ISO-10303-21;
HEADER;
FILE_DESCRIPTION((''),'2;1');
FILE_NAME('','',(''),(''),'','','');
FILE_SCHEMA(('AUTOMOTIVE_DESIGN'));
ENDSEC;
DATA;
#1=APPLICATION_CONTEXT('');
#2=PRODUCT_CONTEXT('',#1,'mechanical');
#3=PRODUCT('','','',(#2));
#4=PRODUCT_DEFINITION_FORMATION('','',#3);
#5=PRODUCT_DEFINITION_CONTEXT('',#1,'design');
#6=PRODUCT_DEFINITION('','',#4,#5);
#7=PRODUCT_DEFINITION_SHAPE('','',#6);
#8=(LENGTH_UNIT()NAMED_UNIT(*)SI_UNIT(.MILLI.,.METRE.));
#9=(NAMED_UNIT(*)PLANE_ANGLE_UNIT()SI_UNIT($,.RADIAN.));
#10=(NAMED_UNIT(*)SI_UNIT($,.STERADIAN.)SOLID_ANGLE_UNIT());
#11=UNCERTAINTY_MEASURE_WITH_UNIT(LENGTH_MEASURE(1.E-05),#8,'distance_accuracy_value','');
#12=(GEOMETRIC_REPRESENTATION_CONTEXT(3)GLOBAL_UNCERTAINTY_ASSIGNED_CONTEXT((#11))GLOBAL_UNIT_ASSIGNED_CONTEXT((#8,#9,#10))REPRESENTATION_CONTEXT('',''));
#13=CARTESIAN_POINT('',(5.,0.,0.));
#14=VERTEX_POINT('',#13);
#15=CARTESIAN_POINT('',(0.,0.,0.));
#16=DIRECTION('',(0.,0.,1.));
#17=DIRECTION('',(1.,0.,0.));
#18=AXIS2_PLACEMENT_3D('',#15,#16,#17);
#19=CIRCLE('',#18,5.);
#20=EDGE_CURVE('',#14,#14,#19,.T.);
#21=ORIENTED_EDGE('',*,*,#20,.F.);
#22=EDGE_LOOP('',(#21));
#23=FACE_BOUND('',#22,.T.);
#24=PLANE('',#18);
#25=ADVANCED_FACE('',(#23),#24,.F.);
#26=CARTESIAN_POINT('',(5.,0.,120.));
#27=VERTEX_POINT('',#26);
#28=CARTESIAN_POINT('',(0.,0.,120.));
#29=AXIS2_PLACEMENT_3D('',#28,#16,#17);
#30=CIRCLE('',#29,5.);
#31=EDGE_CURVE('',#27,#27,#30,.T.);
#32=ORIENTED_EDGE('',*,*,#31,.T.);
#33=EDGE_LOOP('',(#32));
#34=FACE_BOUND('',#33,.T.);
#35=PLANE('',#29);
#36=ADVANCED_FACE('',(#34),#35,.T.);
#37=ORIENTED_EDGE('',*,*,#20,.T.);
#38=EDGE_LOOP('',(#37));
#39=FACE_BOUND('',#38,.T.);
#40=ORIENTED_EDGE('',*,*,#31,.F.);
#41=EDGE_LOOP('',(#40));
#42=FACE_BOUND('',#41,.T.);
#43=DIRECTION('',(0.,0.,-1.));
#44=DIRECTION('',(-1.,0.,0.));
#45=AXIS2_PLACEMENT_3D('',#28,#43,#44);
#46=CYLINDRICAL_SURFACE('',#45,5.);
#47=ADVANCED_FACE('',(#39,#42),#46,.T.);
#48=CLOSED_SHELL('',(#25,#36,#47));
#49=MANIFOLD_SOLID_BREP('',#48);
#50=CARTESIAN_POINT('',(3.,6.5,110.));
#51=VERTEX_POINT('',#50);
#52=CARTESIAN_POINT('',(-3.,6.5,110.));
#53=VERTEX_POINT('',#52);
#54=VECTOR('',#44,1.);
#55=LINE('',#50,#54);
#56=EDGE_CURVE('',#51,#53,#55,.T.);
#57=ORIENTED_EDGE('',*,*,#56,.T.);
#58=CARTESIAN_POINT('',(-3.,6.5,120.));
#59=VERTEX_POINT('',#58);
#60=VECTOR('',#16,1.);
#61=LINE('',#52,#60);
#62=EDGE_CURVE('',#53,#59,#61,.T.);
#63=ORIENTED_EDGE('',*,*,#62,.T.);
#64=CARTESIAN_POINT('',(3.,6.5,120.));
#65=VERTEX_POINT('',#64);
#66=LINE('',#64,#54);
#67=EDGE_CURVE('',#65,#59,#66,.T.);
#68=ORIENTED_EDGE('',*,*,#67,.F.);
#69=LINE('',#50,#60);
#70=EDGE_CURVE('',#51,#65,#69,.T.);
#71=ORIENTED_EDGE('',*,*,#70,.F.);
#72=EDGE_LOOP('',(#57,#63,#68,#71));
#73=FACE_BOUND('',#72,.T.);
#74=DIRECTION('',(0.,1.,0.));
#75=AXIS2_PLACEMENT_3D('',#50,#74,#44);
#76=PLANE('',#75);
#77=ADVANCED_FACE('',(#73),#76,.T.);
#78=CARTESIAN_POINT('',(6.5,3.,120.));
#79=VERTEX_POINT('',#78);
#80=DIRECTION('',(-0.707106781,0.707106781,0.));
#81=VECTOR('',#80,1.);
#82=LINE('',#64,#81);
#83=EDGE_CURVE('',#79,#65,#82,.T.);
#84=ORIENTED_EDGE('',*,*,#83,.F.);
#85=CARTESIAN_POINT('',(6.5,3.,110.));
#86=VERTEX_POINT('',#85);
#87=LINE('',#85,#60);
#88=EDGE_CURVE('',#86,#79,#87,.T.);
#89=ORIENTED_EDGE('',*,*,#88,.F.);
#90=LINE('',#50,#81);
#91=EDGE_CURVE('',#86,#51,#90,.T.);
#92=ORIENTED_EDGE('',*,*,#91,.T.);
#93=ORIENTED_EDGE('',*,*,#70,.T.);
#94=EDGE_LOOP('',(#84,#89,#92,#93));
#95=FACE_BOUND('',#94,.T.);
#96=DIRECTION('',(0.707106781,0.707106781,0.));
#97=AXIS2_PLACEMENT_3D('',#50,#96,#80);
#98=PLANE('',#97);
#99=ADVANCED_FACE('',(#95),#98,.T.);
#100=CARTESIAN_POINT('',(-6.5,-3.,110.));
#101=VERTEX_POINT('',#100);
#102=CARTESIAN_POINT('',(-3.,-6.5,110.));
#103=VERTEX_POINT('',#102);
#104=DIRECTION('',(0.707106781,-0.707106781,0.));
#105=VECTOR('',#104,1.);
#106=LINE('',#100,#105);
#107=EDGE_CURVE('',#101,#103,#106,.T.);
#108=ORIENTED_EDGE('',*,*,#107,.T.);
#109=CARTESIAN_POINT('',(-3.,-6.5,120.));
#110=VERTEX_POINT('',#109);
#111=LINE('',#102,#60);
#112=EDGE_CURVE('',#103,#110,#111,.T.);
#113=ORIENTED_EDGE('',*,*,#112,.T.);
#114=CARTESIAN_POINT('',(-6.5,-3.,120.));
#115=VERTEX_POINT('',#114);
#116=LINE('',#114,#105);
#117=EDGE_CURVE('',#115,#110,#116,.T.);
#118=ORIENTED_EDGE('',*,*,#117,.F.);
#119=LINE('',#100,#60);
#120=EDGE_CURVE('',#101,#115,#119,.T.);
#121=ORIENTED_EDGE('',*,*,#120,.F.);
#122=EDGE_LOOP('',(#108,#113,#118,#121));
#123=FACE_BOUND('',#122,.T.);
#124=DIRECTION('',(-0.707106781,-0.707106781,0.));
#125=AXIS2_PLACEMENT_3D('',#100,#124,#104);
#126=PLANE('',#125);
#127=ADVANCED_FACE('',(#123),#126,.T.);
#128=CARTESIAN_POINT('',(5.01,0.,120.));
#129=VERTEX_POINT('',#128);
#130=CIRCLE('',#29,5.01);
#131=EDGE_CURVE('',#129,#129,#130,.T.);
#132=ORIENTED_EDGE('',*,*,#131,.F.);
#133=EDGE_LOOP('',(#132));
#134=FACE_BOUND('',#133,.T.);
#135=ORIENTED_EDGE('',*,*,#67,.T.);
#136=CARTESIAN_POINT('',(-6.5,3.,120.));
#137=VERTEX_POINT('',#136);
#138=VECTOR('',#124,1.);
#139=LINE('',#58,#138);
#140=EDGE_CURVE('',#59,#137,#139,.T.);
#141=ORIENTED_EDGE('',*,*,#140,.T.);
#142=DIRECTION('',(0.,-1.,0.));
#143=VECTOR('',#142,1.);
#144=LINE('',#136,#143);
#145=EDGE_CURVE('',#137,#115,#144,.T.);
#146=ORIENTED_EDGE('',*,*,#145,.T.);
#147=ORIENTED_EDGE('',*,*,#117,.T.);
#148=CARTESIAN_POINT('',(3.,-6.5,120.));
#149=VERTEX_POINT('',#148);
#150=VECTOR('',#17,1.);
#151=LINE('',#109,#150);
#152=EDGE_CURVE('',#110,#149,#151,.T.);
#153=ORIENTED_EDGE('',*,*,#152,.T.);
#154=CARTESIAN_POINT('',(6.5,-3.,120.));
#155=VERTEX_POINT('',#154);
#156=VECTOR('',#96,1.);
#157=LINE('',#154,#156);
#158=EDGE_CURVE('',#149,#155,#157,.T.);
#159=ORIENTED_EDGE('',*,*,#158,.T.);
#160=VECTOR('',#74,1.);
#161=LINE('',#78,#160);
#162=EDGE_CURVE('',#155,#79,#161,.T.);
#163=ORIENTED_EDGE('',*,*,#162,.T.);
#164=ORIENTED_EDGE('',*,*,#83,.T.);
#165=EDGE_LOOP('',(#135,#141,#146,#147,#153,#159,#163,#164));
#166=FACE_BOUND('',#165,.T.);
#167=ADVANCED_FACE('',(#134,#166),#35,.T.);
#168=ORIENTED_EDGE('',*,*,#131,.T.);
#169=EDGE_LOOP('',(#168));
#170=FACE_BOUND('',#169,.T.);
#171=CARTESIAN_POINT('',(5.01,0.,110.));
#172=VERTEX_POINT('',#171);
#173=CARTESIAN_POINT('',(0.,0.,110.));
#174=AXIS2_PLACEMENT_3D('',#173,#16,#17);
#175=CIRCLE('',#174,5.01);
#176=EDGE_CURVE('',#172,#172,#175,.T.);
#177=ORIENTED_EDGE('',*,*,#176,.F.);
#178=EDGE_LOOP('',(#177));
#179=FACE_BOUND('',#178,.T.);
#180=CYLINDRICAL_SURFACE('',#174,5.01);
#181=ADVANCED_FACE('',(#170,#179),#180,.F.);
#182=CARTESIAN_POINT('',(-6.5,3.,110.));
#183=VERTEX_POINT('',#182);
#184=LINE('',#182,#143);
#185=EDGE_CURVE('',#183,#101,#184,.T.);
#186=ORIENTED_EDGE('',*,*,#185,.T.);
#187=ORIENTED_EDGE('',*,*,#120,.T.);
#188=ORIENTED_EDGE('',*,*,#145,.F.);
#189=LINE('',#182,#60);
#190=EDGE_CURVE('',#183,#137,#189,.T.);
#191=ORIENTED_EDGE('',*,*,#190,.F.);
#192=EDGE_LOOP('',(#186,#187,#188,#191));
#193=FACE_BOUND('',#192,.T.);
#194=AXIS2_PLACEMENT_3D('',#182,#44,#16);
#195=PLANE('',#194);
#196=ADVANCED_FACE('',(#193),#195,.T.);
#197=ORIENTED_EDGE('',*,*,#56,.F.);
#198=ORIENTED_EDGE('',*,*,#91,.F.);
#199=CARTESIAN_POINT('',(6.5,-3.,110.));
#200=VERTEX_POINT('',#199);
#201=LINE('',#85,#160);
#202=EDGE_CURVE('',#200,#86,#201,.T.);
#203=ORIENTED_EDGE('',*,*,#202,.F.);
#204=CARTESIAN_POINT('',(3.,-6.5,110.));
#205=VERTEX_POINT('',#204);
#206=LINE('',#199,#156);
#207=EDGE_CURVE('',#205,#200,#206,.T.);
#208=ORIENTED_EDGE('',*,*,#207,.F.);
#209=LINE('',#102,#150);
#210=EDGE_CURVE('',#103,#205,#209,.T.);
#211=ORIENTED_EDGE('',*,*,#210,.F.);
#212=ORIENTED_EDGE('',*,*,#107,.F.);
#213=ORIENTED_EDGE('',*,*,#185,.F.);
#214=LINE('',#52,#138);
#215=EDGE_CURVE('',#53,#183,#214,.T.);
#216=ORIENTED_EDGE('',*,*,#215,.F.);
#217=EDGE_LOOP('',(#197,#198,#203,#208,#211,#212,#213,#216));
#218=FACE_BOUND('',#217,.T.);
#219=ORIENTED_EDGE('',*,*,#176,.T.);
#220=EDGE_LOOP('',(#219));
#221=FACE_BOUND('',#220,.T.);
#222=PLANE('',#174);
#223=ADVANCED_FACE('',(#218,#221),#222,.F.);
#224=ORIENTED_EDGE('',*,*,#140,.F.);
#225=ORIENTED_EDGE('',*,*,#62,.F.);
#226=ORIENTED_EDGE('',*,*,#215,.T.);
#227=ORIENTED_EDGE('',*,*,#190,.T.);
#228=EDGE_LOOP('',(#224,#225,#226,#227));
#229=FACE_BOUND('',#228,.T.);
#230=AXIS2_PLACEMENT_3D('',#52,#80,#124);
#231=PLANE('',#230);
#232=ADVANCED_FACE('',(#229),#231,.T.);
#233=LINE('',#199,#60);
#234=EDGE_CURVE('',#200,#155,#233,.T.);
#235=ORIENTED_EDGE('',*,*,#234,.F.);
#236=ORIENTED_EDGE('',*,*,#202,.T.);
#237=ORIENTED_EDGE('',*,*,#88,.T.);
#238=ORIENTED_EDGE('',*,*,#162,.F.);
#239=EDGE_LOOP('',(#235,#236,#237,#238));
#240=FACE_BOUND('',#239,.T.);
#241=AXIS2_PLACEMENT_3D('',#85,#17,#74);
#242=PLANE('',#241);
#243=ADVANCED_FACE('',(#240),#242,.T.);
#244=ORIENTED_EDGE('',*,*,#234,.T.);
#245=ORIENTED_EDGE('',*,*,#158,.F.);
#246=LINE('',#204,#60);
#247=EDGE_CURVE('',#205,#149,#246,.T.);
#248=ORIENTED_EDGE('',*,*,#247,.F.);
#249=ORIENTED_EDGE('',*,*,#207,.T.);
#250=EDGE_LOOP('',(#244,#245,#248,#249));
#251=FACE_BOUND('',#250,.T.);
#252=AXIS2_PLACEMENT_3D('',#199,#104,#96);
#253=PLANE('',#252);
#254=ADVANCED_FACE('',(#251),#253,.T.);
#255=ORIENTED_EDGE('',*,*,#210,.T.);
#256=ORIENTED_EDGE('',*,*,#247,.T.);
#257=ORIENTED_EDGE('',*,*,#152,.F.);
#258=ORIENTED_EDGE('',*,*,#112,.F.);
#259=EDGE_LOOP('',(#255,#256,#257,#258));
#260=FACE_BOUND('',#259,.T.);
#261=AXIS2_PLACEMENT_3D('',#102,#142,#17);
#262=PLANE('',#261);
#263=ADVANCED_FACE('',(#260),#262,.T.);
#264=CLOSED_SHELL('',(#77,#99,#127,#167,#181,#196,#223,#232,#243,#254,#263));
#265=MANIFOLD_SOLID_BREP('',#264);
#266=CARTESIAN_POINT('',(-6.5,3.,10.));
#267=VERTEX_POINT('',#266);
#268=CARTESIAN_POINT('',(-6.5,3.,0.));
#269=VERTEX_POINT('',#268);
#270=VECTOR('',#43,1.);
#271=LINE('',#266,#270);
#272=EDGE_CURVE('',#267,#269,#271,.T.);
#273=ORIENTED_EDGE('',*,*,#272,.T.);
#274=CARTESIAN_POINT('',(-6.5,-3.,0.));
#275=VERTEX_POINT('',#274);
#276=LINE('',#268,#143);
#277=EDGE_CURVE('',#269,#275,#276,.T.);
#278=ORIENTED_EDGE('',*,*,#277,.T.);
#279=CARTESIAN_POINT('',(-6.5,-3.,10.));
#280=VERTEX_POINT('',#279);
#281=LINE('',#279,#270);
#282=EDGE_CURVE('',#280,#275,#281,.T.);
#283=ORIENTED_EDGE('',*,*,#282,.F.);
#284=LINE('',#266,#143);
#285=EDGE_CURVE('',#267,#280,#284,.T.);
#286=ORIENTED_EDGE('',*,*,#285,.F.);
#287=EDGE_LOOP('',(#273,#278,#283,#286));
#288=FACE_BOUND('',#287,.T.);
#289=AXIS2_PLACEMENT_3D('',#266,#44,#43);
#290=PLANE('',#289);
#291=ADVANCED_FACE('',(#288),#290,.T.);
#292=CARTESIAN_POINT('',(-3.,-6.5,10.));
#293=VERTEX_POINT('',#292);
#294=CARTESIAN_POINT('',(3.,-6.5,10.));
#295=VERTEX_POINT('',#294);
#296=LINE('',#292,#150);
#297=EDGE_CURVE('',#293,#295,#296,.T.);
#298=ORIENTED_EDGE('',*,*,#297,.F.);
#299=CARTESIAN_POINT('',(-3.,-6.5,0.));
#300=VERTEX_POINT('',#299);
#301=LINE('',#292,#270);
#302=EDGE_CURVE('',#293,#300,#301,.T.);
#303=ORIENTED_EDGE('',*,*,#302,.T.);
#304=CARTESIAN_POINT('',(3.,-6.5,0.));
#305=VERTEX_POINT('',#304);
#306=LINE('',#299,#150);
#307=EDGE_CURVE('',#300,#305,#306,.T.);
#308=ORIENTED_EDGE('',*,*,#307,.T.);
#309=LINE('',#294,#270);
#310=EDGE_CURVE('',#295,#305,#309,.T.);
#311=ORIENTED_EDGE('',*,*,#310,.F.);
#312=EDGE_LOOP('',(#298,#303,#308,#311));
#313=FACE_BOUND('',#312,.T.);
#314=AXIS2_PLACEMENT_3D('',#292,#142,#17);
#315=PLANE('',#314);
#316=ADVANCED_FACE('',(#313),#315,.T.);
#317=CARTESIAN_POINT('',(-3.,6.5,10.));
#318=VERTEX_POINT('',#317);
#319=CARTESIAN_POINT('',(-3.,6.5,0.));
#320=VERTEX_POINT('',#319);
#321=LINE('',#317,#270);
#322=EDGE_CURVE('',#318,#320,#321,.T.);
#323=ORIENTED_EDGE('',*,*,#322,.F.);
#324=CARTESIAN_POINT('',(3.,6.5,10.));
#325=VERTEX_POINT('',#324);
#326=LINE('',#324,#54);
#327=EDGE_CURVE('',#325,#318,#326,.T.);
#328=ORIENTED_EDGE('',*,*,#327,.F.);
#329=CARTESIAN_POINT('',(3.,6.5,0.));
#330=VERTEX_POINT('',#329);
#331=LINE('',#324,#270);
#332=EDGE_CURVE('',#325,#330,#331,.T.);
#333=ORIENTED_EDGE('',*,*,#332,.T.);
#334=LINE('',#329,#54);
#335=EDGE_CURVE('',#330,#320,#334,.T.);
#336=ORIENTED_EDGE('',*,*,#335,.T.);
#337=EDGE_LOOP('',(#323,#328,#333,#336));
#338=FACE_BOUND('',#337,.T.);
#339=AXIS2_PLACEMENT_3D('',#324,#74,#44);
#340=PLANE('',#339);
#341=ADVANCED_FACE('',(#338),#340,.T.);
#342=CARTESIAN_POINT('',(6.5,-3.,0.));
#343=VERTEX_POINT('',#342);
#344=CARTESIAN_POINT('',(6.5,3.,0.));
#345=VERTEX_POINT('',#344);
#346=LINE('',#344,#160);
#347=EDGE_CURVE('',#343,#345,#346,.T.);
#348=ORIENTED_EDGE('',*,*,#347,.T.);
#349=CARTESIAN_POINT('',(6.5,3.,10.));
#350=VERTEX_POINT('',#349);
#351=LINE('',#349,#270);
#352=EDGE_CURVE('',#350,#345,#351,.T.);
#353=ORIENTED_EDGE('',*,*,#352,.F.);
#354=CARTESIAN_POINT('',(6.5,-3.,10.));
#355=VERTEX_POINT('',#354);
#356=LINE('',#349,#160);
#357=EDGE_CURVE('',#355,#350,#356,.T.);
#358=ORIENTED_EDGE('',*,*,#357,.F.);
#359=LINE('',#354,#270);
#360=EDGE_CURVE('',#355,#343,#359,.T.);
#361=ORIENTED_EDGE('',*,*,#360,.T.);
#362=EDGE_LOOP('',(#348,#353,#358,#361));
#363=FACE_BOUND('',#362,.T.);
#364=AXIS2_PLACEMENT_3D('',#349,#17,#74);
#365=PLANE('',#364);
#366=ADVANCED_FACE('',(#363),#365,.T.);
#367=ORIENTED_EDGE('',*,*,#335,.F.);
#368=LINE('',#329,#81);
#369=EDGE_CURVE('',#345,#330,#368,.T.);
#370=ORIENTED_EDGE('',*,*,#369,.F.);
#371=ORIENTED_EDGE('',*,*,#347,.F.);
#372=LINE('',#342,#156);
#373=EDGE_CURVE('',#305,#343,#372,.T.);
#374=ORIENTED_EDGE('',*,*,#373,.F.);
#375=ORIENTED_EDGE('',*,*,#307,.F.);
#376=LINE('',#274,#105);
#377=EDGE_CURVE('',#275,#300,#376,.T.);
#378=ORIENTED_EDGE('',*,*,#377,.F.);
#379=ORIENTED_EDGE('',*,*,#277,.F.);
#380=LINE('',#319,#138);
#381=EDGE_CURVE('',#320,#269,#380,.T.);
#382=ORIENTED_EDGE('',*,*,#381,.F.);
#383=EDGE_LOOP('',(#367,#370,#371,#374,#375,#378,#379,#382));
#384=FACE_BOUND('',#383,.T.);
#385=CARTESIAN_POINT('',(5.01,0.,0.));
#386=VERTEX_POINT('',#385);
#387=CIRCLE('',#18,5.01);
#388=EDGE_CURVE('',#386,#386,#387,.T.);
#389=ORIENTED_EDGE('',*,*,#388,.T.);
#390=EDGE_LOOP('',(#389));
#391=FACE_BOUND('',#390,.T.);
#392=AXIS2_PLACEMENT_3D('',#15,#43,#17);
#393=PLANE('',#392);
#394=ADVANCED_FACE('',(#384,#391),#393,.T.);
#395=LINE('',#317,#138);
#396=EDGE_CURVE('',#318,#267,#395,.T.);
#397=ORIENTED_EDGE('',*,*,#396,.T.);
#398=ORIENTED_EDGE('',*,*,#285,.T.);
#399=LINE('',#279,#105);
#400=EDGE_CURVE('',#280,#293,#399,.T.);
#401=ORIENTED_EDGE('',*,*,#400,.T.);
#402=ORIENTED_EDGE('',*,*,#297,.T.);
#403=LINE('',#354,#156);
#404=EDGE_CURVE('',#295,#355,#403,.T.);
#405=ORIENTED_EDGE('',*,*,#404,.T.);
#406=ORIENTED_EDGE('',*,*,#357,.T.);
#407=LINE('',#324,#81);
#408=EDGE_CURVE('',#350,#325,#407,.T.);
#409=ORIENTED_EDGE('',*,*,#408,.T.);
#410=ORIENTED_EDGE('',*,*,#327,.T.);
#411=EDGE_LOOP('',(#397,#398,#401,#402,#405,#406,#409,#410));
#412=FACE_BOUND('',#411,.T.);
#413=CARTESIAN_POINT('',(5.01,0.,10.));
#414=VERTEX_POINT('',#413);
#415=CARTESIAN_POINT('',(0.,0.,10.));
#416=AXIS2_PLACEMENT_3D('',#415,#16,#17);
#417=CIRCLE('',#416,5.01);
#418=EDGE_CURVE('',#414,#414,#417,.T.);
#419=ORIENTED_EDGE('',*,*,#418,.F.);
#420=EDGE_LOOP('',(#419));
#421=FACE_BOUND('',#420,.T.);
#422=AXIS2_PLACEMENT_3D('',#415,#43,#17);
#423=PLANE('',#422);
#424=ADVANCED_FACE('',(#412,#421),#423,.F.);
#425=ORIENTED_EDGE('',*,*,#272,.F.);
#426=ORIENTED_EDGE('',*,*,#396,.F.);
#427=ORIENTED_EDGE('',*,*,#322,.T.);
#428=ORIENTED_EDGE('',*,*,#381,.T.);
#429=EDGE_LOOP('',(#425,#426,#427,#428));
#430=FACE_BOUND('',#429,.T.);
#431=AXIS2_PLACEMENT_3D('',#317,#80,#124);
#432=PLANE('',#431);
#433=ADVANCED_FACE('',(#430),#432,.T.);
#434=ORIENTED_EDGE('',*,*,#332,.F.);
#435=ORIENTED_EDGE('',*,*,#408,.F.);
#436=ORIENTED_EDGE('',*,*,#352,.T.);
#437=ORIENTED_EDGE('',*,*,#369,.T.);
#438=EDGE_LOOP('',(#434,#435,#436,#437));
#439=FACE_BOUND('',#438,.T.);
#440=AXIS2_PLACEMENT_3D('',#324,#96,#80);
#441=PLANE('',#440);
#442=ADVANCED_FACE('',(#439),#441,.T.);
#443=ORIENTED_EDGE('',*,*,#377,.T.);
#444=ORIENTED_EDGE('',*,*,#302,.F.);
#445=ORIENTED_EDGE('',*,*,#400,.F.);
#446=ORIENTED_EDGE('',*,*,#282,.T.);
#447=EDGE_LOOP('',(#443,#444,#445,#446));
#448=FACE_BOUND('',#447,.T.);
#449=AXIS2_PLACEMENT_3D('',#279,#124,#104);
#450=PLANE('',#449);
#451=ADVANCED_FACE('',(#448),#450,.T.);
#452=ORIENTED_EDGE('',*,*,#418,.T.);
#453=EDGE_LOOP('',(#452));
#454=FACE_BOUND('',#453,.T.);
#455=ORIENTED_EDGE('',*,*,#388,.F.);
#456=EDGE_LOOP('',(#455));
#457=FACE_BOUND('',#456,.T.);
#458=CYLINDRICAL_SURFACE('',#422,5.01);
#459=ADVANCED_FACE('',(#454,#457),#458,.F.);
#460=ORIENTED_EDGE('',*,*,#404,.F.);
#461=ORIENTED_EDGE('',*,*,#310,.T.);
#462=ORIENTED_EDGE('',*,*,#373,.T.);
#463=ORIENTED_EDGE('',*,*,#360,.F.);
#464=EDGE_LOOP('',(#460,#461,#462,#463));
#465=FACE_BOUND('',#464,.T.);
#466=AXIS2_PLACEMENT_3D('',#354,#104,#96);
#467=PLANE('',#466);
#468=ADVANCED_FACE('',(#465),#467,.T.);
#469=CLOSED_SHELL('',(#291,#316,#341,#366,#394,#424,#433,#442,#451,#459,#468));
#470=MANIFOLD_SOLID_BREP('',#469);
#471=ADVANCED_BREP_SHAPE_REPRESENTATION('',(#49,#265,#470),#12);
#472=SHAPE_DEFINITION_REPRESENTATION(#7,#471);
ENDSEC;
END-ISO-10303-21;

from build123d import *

# Parameters (mm, degrees)
SKETCH1_R           = 5
BOSS_EXTRUDE1_DEPTH = 120
SKETCH2_R           = 5.01
BOSS_EXTRUDE2_DEPTH = 10


with BuildPart() as part:
    # Sketch1 → Boss-Extrude1 (new body)
    with BuildSketch(Plane.XY):
        Circle(SKETCH1_R)
    extrude(amount=BOSS_EXTRUDE1_DEPTH)


with BuildPart() as body_2:
    # Sketch2 → Boss-Extrude2 (new body)
    with BuildSketch(Plane.XY.offset(120)):
        Polygon((3, 6.5), (-3, 6.5), (-6.5, 3), (-6.5, -3), (-3, -6.5), (3, -6.5), (6.5, -3), (6.5, 3), align=None)
        Circle(SKETCH2_R, mode=Mode.SUBTRACT)
    extrude(amount=-BOSS_EXTRUDE2_DEPTH)


with BuildPart() as body_3:
    # Mirror1: mirrored copy
    add(body_2.part.mirror(Plane(origin=(0, 0, 60), x_dir=(1, 0, 0), z_dir=(0, 0, -1))))


solid = Compound([part.part, body_2.part, body_3.part])
